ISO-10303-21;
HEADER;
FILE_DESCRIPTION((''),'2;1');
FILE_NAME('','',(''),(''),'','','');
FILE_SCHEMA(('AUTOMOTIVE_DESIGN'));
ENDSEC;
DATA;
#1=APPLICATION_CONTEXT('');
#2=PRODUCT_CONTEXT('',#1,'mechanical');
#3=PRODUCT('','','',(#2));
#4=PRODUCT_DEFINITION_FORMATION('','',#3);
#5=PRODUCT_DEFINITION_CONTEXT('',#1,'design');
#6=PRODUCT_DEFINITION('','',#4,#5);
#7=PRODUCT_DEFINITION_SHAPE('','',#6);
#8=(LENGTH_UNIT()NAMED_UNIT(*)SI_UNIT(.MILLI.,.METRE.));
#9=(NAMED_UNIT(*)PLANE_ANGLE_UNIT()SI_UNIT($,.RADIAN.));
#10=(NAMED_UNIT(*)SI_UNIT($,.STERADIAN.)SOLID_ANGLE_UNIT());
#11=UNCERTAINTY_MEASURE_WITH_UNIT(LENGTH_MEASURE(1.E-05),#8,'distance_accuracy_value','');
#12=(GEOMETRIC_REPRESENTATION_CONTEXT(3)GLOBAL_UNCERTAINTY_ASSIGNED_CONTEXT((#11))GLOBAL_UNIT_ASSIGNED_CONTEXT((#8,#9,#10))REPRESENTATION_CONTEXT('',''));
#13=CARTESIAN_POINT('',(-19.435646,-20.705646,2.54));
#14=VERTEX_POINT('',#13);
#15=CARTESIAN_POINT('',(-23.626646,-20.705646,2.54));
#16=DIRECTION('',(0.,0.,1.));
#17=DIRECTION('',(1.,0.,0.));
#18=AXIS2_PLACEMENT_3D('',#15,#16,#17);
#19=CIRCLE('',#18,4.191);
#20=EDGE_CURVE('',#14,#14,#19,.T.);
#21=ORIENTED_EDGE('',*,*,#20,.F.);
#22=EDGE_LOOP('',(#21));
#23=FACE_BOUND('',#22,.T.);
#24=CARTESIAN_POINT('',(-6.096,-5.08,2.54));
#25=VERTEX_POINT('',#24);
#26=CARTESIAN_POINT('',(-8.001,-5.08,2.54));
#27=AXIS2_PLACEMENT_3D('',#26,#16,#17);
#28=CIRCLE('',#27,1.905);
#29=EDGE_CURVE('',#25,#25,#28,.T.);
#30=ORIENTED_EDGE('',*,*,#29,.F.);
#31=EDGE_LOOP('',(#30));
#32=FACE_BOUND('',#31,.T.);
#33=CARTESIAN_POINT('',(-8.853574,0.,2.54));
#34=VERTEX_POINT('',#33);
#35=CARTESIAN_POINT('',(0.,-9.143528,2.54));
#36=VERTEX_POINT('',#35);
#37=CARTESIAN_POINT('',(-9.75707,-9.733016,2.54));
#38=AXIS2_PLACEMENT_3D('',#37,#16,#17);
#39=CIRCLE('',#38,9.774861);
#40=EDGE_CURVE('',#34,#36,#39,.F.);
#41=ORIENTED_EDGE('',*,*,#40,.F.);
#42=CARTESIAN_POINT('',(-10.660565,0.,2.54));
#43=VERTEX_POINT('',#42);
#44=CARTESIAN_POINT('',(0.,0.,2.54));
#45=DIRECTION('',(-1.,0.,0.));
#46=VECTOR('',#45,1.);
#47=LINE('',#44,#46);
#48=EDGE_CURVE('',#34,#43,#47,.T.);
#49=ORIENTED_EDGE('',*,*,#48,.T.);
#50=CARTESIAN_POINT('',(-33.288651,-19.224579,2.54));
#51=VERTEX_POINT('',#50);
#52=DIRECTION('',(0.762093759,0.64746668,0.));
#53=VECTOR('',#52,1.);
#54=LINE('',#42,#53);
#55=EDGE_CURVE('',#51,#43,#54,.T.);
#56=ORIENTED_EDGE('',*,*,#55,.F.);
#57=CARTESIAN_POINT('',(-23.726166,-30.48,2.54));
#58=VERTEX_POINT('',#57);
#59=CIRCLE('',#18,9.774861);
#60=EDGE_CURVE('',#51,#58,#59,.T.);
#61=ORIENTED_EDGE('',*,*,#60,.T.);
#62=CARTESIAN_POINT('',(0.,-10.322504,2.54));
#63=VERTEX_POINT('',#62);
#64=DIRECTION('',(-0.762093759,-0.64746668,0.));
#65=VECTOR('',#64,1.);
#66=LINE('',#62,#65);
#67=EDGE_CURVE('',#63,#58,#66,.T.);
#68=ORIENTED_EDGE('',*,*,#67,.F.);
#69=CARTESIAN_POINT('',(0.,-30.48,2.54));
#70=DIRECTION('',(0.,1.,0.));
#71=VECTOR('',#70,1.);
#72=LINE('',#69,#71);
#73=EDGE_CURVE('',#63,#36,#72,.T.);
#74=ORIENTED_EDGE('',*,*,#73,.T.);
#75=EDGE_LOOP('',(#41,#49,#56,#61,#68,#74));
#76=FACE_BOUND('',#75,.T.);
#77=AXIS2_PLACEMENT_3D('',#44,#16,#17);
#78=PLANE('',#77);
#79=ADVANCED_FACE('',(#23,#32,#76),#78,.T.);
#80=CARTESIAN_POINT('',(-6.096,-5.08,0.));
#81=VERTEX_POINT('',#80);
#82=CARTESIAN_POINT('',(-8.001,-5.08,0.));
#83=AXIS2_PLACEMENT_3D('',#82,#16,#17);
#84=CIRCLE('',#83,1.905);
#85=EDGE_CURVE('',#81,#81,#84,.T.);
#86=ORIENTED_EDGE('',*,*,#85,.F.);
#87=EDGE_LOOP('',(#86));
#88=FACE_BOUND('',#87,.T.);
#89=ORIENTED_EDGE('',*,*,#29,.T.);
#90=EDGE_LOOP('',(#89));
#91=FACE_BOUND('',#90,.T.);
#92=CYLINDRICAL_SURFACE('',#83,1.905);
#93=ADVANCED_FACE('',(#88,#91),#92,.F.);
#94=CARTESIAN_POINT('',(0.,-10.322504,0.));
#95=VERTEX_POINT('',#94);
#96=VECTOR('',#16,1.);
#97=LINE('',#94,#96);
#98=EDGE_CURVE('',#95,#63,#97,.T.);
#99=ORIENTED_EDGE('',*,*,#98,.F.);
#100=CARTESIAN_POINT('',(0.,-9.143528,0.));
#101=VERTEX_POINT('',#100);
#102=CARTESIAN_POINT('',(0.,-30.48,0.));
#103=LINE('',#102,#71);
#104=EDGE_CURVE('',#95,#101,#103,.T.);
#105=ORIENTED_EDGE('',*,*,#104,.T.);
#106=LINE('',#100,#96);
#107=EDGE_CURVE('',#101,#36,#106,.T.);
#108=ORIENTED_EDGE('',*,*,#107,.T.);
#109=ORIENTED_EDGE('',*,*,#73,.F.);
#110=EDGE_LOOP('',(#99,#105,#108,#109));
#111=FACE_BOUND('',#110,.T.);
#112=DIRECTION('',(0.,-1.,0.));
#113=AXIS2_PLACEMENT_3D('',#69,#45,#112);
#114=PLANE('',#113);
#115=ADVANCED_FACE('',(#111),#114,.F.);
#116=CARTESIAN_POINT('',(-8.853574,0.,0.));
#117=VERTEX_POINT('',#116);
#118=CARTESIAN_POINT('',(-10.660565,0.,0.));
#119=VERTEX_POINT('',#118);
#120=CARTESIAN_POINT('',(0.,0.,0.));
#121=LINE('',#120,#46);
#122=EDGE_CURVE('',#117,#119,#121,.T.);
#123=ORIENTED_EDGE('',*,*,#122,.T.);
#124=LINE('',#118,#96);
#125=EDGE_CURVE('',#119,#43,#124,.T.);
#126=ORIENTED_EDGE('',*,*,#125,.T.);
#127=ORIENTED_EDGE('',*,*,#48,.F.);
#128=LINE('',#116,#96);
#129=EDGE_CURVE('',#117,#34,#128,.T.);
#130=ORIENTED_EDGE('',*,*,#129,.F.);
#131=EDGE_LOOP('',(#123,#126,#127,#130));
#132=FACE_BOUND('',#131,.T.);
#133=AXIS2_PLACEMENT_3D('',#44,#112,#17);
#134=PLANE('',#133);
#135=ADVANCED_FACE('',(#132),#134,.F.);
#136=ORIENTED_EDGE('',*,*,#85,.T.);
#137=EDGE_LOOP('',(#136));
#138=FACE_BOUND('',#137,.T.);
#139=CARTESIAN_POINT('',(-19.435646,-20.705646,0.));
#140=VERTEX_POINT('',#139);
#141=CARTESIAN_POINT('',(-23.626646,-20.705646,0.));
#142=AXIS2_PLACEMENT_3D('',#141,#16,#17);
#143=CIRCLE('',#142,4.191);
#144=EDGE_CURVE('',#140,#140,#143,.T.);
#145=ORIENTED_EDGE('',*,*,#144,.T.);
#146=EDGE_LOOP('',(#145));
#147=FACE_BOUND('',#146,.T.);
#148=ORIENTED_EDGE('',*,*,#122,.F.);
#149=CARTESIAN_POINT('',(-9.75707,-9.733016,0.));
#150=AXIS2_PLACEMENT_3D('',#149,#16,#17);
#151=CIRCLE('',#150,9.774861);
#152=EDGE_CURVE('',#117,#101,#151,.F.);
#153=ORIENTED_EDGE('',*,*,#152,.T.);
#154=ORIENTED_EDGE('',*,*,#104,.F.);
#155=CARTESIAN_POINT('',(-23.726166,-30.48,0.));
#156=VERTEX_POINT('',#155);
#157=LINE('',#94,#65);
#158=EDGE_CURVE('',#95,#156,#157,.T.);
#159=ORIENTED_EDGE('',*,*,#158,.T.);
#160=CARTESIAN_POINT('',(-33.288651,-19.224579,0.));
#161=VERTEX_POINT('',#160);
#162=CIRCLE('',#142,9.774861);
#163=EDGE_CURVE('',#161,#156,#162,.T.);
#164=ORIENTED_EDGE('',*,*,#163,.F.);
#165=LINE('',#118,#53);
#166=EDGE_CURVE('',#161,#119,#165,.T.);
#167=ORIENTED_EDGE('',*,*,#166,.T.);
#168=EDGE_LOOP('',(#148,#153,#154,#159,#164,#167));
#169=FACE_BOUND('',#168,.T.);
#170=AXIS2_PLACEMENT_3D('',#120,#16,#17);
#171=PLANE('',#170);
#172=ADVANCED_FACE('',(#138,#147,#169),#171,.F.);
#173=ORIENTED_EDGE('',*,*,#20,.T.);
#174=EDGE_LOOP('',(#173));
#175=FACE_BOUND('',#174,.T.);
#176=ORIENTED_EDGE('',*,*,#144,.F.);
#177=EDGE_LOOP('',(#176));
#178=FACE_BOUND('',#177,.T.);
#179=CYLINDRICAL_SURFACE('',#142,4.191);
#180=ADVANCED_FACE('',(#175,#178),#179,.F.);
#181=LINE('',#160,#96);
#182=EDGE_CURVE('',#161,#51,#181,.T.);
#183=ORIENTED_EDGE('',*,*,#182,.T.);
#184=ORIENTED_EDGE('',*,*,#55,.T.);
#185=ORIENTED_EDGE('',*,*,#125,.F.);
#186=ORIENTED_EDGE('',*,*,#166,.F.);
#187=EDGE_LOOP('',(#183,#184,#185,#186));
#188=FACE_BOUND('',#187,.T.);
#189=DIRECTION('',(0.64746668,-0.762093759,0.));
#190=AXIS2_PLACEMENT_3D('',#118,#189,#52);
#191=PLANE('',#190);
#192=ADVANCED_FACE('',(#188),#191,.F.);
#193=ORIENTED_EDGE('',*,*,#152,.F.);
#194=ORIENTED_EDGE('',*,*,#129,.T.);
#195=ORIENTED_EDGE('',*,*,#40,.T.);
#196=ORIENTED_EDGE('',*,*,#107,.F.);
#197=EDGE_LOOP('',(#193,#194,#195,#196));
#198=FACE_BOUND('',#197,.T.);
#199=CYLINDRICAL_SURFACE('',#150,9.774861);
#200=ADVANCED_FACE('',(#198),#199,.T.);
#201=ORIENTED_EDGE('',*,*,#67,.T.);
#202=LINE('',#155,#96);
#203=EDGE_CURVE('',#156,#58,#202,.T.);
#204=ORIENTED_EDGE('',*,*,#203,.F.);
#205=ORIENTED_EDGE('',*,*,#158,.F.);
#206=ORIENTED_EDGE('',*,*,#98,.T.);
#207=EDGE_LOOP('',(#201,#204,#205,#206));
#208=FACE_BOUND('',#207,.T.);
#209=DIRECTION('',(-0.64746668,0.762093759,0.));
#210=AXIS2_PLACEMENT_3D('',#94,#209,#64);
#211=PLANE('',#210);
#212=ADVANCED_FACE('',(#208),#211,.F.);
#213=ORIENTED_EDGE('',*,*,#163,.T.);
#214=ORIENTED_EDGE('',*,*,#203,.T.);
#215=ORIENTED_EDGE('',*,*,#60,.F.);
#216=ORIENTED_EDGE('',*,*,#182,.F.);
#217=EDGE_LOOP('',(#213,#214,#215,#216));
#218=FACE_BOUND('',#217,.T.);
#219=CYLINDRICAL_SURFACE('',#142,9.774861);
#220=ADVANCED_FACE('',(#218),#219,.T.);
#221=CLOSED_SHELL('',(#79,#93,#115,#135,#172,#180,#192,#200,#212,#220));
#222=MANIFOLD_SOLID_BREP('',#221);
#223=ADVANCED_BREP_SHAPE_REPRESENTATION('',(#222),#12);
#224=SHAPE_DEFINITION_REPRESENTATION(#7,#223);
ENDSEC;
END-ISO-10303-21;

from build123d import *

# Parameters (mm, degrees)
SKETCH1_W           = 38.1
SKETCH1_H           = 30.48
BOSS_EXTRUDE1_DEPTH = 2.54
SKETCH2_R           = 1.905
SKETCH2_R_2         = 4.191
CUT_EXTRUDE1_DEPTH  = 49.857875517
CUT_EXTRUDE3_DEPTH  = 2.54
CUT_EXTRUDE4_DEPTH  = 2.54
CUT_EXTRUDE5_DEPTH  = 2.54


with BuildPart() as part:
    # Sketch1 → Boss-Extrude1 (new body)
    with BuildSketch(Plane.XY):
        with Locations((-19.05, -15.24)):
            Rectangle(SKETCH1_W, SKETCH1_H)
    extrude(amount=BOSS_EXTRUDE1_DEPTH)

    # Sketch2 → Cut-Extrude1 (cut, through all)
    with BuildSketch(Plane.XY.offset(2.54)):
        with Locations((-8.001, -5.08)):
            Circle(SKETCH2_R)
        with Locations((-23.626645651, -20.705645651)):
            Circle(SKETCH2_R_2)
    extrude(amount=-CUT_EXTRUDE1_DEPTH, mode=Mode.SUBTRACT)

    # Sketch3 → Cut-Extrude3 (cut)
    with BuildSketch(Plane.XY.offset(2.54)):
        Polygon((0, -10.322504019), (-23.72616594, -30.48), (0, -30.48), align=None)
        Polygon((-38.1, 0), (-10.660565369, 0), (-38.1, -23.312249215), align=None)
    extrude(amount=-CUT_EXTRUDE3_DEPTH, mode=Mode.SUBTRACT)

    # Sketch4 → Cut-Extrude4 (cut)
    with BuildSketch(Plane.XY.offset(2.54)):
        with BuildLine():
            Line((-38.1, -23.312249215), (-38.1, -30.48))
            Line((-38.1, -30.48), (-23.72616594, -30.48))
            ThreePointArc((-23.72616594, -30.479999994), (-31.076006206, -27.034542439), (-33.288651039, -19.224578768))
            Line((-33.288651039, -19.224578768), (-38.1, -23.312249215))
        make_face()
    extrude(amount=-CUT_EXTRUDE4_DEPTH, mode=Mode.SUBTRACT)

    # Sketch5 → Cut-Extrude5 (cut)
    with BuildSketch(Plane.XY.offset(2.54)):
        with BuildLine():
            Line((0, 0), (-8.85357425, 0))
            ThreePointArc((-8.85357425, 0), (-2.73475248, -2.933386248), (0, -9.143528244))
            Line((0, -9.143528244), (0, 0))
        make_face()
    extrude(amount=-CUT_EXTRUDE5_DEPTH, mode=Mode.SUBTRACT)


solid = part.part
